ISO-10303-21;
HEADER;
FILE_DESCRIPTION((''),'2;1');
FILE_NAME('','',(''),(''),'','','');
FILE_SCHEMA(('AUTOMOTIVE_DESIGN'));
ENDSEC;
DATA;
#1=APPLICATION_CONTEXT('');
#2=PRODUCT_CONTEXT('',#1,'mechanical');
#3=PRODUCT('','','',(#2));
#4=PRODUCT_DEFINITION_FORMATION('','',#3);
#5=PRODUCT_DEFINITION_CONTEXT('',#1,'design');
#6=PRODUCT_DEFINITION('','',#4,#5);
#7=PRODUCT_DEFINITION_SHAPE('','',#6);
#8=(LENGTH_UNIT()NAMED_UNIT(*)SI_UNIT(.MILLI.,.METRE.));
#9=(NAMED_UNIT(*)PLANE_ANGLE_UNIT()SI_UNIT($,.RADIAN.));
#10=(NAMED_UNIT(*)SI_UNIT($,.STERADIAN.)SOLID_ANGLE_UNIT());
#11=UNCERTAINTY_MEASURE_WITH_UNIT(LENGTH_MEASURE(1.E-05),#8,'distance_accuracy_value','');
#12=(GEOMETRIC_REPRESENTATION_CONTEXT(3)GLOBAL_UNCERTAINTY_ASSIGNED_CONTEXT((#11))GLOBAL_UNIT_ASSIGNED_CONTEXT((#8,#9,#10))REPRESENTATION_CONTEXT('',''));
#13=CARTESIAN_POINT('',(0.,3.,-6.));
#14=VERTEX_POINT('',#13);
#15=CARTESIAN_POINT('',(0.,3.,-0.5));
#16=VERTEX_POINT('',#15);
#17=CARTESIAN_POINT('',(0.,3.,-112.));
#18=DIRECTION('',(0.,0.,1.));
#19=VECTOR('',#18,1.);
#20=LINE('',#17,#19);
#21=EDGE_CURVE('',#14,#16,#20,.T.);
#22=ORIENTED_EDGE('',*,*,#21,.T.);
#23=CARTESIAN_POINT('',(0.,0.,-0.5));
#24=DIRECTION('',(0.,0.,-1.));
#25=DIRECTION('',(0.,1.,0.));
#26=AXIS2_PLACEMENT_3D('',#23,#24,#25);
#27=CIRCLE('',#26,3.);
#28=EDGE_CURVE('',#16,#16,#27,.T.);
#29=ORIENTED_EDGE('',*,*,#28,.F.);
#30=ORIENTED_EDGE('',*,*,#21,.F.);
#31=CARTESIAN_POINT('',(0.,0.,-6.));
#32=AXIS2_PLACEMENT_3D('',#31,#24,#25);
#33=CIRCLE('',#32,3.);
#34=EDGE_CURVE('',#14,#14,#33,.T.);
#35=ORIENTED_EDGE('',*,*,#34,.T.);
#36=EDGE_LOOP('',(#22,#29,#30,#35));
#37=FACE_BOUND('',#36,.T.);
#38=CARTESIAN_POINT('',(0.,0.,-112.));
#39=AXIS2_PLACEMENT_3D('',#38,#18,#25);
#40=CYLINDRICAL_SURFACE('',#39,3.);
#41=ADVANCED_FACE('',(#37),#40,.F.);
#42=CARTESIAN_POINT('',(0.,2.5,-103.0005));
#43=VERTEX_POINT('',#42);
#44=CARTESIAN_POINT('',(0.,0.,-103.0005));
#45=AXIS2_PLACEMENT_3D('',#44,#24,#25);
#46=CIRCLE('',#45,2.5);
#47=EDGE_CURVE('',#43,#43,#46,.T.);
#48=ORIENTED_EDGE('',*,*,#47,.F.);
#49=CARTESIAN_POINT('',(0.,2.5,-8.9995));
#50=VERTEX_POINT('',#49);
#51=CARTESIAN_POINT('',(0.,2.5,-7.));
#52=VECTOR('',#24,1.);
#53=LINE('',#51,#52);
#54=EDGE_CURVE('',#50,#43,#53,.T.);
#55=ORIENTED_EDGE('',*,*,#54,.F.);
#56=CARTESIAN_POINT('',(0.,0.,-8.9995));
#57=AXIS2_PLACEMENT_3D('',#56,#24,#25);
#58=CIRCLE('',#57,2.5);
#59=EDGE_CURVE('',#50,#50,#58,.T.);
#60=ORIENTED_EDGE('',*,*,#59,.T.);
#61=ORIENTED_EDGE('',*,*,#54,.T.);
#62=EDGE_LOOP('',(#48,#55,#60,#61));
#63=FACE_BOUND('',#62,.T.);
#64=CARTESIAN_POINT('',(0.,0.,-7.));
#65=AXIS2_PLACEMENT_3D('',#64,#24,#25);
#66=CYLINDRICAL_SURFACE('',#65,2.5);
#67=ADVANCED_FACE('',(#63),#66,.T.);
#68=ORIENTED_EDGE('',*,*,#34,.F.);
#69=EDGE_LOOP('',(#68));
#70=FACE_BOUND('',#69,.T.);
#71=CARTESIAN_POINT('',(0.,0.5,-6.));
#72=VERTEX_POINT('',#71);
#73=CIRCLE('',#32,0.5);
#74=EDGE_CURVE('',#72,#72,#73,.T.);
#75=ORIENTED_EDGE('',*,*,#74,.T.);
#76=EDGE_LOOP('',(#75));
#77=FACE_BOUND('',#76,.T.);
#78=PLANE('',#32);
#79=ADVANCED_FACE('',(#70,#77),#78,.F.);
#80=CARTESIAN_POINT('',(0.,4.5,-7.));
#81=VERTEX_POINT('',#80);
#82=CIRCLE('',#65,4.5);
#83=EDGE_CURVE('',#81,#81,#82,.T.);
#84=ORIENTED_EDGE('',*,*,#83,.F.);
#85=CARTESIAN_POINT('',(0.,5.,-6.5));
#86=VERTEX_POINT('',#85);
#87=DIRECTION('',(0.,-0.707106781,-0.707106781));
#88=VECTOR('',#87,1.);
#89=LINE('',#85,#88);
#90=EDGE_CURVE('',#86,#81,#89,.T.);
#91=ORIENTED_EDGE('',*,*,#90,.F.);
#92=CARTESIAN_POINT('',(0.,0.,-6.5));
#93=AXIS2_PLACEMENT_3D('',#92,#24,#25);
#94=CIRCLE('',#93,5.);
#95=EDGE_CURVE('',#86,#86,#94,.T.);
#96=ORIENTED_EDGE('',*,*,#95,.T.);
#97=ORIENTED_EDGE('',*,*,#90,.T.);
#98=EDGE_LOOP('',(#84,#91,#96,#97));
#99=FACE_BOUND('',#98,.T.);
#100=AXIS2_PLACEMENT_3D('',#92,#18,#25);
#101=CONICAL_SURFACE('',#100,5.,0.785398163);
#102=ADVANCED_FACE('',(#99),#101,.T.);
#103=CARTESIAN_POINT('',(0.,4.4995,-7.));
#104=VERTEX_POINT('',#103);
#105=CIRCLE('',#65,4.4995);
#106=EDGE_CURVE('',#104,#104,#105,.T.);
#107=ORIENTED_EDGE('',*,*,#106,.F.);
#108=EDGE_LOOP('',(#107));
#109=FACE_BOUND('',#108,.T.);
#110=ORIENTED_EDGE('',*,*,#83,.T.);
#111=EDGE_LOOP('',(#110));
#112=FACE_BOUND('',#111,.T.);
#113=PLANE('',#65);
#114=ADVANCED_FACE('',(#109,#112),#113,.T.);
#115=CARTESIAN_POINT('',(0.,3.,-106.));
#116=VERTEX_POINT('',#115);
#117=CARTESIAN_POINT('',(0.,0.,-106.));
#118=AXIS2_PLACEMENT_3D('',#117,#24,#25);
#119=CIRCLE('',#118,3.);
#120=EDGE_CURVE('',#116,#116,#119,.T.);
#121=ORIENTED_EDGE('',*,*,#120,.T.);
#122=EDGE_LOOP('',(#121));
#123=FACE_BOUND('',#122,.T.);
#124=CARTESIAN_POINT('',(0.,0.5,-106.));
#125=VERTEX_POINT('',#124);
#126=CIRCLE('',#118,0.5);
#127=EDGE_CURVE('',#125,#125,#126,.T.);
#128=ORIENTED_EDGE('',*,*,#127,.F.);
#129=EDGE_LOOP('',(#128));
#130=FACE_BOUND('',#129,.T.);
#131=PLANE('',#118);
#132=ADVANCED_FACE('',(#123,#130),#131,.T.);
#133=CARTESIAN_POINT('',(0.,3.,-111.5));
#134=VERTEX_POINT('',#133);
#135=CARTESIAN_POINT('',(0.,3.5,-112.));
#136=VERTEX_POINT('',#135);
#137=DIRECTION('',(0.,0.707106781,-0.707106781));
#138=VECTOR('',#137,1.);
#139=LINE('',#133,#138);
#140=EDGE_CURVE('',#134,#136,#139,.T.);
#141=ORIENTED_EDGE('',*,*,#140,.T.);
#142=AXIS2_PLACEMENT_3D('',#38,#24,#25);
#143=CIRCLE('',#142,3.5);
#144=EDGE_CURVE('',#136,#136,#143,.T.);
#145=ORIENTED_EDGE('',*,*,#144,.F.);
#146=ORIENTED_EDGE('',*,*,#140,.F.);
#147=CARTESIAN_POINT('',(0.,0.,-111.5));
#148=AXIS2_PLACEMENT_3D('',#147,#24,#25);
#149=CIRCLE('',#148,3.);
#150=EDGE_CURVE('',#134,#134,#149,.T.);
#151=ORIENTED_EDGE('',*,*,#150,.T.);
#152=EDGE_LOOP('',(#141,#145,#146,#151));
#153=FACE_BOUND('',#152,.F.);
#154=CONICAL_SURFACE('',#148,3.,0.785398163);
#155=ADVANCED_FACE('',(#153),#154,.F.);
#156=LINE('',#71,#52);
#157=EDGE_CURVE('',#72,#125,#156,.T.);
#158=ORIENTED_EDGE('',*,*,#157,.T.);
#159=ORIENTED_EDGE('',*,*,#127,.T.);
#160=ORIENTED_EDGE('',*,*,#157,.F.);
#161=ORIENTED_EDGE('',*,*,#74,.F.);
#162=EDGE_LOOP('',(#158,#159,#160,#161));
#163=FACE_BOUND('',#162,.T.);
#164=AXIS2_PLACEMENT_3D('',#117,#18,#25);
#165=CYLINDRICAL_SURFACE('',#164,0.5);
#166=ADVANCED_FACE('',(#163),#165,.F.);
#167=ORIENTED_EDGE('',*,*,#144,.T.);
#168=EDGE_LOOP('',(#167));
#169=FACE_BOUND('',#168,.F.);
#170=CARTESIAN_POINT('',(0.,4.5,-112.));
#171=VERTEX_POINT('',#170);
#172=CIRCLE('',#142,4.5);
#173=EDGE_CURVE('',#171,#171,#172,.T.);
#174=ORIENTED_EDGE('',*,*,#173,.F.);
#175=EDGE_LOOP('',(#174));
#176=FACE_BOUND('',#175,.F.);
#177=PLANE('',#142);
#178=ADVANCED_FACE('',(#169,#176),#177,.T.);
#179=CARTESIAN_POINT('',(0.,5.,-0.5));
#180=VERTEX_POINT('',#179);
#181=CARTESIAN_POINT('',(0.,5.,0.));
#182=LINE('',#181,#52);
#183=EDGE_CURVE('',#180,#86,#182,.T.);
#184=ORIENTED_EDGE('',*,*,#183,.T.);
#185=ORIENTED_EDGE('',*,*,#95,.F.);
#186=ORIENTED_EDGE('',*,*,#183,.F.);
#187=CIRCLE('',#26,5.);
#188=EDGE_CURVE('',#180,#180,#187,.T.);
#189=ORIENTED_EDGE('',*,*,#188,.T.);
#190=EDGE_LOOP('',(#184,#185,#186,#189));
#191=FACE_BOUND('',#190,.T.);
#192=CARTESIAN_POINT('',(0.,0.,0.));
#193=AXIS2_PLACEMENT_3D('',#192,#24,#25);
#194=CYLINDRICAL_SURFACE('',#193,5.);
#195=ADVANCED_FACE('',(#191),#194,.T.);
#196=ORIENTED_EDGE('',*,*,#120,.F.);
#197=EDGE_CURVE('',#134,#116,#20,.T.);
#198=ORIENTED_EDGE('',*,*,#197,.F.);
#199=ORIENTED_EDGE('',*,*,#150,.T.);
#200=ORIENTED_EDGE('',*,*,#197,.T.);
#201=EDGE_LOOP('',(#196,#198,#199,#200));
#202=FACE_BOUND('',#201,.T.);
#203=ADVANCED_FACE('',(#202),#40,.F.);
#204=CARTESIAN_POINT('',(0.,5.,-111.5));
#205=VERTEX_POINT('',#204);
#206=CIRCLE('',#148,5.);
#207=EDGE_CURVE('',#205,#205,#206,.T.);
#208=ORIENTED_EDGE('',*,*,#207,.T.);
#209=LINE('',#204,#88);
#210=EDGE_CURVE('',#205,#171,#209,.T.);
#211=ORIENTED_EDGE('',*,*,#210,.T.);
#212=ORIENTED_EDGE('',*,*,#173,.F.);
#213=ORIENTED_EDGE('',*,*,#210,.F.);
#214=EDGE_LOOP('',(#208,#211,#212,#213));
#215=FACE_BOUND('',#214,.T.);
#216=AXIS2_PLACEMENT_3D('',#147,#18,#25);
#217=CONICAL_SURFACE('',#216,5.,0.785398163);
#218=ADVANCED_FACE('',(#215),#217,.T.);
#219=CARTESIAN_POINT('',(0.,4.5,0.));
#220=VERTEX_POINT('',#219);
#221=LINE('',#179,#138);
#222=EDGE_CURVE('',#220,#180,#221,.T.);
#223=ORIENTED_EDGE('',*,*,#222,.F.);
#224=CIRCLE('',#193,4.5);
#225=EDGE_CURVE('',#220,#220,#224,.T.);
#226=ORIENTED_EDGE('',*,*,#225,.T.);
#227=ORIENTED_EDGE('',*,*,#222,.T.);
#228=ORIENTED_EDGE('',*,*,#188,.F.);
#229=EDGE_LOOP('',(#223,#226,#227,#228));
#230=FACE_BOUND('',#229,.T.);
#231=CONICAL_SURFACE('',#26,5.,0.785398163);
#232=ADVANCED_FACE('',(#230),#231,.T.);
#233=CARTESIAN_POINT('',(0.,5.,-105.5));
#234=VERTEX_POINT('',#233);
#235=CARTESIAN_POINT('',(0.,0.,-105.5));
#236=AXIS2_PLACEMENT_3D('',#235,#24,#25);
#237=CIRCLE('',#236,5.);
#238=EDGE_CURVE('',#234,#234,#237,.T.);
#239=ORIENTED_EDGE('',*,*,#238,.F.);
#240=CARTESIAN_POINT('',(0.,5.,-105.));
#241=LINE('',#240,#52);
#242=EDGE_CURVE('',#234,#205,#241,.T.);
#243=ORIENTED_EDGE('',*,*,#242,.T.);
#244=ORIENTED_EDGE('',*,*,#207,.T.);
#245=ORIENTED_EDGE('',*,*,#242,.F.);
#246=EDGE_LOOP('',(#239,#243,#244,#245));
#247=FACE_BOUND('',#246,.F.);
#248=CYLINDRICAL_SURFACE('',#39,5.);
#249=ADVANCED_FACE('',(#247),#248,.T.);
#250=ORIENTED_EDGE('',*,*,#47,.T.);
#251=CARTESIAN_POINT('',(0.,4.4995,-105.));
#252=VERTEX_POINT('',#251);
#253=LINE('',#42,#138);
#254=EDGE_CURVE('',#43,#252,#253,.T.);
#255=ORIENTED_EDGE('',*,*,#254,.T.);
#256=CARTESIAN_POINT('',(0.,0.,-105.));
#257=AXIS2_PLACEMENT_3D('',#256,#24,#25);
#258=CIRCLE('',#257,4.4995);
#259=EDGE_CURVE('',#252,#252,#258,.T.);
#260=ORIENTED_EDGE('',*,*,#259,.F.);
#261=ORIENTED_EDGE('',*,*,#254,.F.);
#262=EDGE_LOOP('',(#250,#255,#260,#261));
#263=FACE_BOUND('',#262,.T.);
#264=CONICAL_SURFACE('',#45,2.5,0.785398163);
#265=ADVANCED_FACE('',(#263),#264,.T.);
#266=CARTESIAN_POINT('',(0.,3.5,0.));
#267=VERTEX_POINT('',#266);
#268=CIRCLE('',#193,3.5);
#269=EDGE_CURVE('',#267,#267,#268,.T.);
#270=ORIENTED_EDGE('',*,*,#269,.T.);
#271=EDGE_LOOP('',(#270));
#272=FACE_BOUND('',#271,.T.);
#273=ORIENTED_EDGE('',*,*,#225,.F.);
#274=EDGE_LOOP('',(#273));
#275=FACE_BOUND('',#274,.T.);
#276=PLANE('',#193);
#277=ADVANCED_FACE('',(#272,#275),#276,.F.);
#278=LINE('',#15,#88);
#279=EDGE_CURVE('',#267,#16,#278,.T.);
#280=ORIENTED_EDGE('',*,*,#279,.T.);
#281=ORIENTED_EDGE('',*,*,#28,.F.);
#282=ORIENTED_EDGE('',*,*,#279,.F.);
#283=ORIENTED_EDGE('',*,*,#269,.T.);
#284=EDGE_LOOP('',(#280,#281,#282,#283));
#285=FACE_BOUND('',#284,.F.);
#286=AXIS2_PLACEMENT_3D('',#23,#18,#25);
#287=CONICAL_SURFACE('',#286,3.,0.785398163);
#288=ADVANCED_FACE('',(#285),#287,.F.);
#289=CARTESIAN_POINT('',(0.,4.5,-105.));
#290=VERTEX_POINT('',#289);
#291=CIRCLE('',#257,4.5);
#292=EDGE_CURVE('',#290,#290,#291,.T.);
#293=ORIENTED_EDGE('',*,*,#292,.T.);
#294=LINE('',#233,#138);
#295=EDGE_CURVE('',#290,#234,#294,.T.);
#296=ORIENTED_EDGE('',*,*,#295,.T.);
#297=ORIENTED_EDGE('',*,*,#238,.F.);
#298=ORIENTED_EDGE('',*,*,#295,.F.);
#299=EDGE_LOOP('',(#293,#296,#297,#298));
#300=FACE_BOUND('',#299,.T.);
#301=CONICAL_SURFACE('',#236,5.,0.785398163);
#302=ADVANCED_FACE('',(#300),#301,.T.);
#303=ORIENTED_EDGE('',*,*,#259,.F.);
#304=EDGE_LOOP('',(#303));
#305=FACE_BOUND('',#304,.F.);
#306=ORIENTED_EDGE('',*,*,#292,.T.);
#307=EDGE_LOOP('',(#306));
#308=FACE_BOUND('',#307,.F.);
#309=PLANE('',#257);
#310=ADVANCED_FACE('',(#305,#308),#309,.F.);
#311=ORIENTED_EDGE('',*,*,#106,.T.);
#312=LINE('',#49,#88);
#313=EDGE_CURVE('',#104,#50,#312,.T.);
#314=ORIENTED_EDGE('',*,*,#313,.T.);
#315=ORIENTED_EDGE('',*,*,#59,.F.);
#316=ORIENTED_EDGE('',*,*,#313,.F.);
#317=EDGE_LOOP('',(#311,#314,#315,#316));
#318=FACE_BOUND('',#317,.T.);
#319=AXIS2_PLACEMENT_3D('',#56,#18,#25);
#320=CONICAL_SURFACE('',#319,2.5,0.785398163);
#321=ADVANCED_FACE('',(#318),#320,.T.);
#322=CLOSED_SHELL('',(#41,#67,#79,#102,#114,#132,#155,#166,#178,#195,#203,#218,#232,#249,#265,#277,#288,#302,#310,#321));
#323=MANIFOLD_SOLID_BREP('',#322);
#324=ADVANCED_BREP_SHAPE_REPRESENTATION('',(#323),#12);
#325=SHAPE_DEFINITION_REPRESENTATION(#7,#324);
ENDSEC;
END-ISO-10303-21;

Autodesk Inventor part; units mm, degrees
ref_plane "YZ Plane" through (0, 0, 0) normal (1, 0, 0) x (0, 1, 0)
ref_plane "XZ Plane" through (0, 0, 0) normal (0, 1, 0) x (-1, 0, 0)
ref_plane "XY Plane" through (0, 0, 0) normal (0, 0, 1) x (1, 0, 0)
sketch "Sketch1" plane through (0, 0, 0) normal (1, 0, 0) x (0, 1, 0)
  line L0 (0, 0) -> (0, -112)
  line L1 (0, -112) -> (3, -112)
  line L2 (3, -112) -> (3, 0)
  line L3 (3, 0) -> (0, 0)
  line L4 (3, 0) -> (3, -6)
  line L5 (3, -112) -> (3, -106)
  line L6 (3, -112) -> (5, -112)
  line L7 (5, -112) -> (5, -106)
  line L8 (5, -106) -> (3, -106)
  line L9 (3, 0) -> (5, 0)
  line L10 (5, 0) -> (5, -6)
  line L11 (5, -6) -> (3, -6)
  line L12 (3, -106) -> (0.5, -106)
  line L13 (0.5, -106) -> (0.5, -6)
  line L14 (0.5, -6) -> (3, -6)
  line L15 (5, -6) -> (5, -7)
  line L16 (5, -7) -> (0.5, -7)
  line L17 (5, -106) -> (5, -105)
  line L18 (5, -105) -> (0.5, -105)
  line L19 (3, -7) -> (3.1, -7)
  line L20 (2.5, -7) -> (2.5, -105)
  point P0 (3, -105)
  point P1 (2, -6)
  point P2 (3.1, -105)
  dimension "d0" = 112
  dimension "d1" = 3
  dimension "d2" = 6
  dimension "d3" = 6
  dimension "d5" = 2
  dimension "d6" = 2
  dimension "d7" = 2.5
  dimension "d8" = 1
  dimension "d9" = 1
  dimension "d22" = 2
revolve "Revolution1" add sketch "Sketch1" angle 360 about axis through (0, 0, 0) along (0, 0, -1) contours L9 L10 L11 L2 | L2 L8 L7 L6 | L11 L15 L16 L2 | L2 L16 L13 L14 | L12 L13 L18 L2 | L2 L18 L17 L8 | L20 L18 L13 L16
thread "Thread1" size "M6x1" class "6H" standard "ANSI Metric M Profile" full length
thread "Thread2" size "M6x1" class "6H" standard "ANSI Metric M Profile" full length
chamfer "Chamfer1" distance 0.5 angle 45 2 edges at (0, -3, 0) (0, -3, -112)
chamfer "Chamfer2" distance 0.5 angle 45 4 edges at (0, -5, -112) (0, -5, -105) (0, -5, -7) (0, -5, 0)
chamfer "Chamfer3" distance 2 angle 45 2 edges at (0, -2.5, -7) (0, -2.5, -105)
properties part number "Heater"
